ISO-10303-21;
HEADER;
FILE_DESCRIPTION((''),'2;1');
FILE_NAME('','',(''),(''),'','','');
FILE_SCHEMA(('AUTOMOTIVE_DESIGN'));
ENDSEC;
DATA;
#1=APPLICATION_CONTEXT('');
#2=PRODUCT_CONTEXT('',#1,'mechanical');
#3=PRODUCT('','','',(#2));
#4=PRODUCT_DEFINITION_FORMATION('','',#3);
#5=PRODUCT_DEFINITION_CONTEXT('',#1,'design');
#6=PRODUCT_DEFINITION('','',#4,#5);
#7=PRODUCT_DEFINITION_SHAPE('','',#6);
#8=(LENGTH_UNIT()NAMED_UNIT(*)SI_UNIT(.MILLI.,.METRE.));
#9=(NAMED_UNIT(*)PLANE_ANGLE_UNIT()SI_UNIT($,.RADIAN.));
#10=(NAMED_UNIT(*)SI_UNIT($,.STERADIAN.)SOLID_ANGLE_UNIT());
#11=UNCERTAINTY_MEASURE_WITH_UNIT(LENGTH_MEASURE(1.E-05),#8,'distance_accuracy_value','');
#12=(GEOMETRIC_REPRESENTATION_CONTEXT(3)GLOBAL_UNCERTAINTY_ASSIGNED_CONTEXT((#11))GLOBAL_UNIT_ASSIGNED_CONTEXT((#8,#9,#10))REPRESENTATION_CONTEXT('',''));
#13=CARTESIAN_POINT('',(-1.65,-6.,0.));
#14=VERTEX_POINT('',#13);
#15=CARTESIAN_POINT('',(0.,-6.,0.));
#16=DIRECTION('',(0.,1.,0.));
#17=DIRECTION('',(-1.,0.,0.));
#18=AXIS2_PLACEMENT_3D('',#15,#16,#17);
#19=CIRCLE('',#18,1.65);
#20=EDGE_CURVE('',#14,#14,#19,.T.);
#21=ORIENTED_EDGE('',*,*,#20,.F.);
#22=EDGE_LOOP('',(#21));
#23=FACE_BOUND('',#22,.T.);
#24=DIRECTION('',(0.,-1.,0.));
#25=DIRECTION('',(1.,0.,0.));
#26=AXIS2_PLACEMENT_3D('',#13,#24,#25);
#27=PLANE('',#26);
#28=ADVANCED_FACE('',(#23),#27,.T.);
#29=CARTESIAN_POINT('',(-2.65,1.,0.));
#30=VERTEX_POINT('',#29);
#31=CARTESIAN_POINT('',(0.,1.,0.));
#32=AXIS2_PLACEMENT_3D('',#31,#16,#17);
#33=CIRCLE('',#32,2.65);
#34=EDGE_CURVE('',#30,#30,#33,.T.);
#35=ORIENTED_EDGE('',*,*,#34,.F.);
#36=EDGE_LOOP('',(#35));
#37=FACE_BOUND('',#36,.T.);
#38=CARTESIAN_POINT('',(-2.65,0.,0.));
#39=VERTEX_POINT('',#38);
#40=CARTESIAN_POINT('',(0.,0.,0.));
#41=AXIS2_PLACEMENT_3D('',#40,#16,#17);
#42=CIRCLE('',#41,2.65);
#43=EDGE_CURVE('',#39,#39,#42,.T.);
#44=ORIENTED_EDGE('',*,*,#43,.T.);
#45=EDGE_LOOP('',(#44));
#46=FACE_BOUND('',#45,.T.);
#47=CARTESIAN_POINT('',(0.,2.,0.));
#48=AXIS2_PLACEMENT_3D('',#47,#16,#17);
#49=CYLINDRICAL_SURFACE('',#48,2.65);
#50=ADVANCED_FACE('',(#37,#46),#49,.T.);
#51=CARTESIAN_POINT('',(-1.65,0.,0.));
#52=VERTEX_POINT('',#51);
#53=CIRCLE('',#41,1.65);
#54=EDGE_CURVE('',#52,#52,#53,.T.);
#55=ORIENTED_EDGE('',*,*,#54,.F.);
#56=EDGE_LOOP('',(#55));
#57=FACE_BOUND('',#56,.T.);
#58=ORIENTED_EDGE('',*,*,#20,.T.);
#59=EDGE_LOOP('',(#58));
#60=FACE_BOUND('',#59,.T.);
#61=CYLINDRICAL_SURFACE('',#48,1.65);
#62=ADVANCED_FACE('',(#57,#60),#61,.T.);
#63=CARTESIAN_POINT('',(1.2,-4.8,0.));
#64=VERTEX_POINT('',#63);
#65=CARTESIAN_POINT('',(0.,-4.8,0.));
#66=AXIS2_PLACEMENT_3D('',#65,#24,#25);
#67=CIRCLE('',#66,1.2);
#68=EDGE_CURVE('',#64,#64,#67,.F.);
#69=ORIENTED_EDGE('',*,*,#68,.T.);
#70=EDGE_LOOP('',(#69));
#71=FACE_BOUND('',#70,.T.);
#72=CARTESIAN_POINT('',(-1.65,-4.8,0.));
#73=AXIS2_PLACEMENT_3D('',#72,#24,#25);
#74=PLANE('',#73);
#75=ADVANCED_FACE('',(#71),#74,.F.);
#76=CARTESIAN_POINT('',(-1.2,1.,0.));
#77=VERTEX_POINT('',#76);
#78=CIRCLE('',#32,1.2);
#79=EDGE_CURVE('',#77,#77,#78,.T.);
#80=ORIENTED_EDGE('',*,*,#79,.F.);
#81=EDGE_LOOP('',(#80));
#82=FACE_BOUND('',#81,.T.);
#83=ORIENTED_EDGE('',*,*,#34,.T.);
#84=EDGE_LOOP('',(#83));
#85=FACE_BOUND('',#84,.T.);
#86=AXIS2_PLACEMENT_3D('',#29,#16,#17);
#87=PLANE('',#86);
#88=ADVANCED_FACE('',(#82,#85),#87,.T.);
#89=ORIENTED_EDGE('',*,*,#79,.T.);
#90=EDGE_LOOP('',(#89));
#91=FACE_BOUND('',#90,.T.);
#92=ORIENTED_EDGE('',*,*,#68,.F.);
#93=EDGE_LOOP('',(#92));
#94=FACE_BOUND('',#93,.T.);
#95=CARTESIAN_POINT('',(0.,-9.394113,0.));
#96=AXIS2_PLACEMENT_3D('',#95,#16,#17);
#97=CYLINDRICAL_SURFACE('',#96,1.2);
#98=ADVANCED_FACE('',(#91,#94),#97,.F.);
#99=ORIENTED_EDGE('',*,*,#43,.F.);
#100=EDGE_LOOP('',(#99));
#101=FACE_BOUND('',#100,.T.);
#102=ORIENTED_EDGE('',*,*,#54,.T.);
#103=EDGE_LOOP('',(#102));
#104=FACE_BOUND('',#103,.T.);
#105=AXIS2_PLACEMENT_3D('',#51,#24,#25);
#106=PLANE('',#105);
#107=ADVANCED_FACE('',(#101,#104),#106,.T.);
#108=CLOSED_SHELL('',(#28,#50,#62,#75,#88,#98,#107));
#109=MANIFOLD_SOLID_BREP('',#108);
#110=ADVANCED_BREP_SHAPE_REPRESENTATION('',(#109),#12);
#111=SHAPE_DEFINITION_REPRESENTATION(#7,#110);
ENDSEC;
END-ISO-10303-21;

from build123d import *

# Parameters (mm, degrees)
SKETCH3_R          = 1.2
CUT_EXTRUDE1_DEPTH = 5.8


with BuildPart() as part:
    # Sketch2 → Revolve2 (revolve)
    with BuildSketch(Plane.XY):
        Polygon((-1.65, 0), (-1.65, -6), (0, -6), (0, 1), (-2.65, 1), (-2.65, 0), align=None)
    revolve(axis=Axis((0, 2, 0), (0, -1, 0)))

    # Sketch3 → Cut-Extrude1 (cut)
    with BuildSketch(Plane(origin=(0, 1, 0), x_dir=(1, 0, 0), z_dir=(0, 1, 0))):
        Circle(SKETCH3_R)
    extrude(amount=-CUT_EXTRUDE1_DEPTH, mode=Mode.SUBTRACT)


solid = part.part
